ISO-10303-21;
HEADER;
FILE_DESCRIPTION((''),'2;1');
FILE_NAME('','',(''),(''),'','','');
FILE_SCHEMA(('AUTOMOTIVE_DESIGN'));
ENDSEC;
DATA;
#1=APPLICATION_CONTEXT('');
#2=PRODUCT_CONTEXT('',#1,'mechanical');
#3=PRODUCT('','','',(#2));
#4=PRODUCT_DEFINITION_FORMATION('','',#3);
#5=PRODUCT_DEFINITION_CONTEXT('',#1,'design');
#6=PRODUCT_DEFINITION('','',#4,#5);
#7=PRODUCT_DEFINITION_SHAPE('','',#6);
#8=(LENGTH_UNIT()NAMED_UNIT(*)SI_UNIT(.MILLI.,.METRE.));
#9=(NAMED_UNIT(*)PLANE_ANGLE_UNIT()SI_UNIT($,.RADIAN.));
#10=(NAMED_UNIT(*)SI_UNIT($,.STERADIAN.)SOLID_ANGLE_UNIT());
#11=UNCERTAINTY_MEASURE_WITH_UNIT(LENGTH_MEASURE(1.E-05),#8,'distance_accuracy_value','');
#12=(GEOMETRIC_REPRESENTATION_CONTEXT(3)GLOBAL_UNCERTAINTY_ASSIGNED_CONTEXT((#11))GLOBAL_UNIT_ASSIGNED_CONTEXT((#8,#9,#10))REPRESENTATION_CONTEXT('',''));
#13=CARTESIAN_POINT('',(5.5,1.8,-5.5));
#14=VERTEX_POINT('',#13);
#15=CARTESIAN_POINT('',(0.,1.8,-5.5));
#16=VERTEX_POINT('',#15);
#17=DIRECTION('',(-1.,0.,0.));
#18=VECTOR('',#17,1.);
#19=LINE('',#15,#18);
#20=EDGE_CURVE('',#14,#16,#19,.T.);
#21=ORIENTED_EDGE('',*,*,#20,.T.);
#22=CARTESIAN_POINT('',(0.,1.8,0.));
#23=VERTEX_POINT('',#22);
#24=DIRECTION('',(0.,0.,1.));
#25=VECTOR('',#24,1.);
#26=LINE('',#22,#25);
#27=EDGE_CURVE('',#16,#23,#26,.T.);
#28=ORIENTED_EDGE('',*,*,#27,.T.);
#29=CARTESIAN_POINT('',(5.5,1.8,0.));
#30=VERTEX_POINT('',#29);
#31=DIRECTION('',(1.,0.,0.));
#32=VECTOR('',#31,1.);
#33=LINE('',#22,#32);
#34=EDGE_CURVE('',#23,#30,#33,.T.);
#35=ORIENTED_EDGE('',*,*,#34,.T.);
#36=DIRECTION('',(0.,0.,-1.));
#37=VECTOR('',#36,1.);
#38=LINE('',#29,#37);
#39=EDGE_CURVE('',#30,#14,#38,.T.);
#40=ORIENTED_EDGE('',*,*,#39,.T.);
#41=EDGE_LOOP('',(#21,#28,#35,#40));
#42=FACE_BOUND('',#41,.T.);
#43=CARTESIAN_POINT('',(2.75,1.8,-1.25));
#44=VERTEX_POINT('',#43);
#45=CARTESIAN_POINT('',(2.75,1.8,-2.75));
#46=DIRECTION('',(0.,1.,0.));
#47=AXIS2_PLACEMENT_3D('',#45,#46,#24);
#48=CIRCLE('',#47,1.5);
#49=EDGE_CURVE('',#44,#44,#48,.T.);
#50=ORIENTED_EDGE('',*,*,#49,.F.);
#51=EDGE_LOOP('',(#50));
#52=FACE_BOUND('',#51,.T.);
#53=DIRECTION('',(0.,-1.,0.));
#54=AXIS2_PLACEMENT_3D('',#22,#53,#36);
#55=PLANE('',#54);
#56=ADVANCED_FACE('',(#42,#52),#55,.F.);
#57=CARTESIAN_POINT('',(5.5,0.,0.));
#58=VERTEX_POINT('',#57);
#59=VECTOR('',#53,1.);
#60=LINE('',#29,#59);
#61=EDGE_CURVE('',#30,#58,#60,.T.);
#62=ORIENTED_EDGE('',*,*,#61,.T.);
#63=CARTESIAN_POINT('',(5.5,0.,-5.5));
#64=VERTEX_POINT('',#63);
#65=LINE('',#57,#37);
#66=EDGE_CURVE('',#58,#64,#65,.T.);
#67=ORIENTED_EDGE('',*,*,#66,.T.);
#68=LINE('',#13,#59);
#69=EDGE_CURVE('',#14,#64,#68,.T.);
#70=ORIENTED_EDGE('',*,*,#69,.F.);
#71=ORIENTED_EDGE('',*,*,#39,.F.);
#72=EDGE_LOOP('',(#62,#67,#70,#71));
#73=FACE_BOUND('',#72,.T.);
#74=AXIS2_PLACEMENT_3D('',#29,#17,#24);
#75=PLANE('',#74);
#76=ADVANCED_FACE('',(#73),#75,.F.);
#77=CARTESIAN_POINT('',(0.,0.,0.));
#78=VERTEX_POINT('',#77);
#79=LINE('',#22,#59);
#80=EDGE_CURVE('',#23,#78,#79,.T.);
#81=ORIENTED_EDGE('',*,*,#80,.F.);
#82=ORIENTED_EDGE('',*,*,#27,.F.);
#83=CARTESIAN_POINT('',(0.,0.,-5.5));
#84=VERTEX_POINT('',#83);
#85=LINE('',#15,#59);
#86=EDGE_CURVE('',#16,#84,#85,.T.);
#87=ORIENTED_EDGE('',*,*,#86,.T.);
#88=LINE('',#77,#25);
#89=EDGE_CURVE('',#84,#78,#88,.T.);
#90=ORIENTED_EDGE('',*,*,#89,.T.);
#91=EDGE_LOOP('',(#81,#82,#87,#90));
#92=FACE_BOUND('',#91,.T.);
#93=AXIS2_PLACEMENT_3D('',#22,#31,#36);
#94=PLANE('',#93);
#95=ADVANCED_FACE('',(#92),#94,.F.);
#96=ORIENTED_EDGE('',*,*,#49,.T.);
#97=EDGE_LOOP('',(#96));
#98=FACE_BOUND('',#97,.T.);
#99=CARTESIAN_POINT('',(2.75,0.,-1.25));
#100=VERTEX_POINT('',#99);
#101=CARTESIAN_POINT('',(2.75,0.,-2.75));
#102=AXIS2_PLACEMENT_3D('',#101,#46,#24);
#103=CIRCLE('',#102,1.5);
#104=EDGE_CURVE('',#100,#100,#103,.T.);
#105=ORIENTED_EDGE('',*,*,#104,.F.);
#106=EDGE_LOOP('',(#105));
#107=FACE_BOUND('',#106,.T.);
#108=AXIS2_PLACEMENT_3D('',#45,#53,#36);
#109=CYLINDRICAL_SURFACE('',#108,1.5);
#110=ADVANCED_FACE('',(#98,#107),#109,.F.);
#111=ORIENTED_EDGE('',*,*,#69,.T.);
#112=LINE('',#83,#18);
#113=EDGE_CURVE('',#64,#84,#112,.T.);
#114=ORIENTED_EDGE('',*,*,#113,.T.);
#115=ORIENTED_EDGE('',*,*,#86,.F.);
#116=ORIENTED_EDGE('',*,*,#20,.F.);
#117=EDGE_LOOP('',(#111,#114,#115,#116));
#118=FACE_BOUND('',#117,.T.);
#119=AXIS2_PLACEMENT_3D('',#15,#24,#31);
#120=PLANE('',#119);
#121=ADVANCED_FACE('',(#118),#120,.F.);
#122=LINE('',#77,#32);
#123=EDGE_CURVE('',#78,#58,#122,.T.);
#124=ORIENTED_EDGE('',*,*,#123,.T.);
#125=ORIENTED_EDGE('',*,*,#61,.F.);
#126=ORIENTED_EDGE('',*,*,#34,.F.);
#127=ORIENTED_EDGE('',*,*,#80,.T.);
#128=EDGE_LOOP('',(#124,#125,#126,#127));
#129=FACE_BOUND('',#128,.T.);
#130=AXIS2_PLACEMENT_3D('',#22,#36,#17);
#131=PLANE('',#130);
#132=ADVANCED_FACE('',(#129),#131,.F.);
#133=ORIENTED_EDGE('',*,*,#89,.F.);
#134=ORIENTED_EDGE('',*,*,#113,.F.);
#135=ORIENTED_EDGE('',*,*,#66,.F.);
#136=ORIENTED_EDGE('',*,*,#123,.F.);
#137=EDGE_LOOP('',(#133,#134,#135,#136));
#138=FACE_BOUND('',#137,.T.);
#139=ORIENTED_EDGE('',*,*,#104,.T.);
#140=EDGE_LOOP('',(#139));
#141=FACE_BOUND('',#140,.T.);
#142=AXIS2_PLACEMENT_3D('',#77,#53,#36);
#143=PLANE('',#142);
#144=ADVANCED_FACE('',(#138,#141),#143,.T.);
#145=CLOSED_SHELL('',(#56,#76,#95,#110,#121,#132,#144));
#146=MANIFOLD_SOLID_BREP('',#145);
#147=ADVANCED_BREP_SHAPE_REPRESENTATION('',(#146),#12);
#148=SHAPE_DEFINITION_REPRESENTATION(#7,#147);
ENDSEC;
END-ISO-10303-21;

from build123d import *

# Parameters (mm, degrees)
SZKIC1_W                    = 5.5
SZKIC1_H                    = 5.5
SZKIC1_R                    = 1.5
DODANIE_WYCI_GNI_CIE1_DEPTH = 1.8


with BuildPart() as part:
    # Szkic1 → Dodanie-wyciągnięcie1 (new body)
    with BuildSketch(Plane(origin=(0, 0, 0), x_dir=(1, 0, 0), z_dir=(0, 1, 0))):
        with Locations((2.75, 2.75)):
            Rectangle(SZKIC1_W, SZKIC1_H)
        with Locations(Location((2.75, 2.75, 0), (0, 0, 270))):
            Circle(SZKIC1_R, mode=Mode.SUBTRACT)
    extrude(amount=DODANIE_WYCI_GNI_CIE1_DEPTH)


solid = part.part
